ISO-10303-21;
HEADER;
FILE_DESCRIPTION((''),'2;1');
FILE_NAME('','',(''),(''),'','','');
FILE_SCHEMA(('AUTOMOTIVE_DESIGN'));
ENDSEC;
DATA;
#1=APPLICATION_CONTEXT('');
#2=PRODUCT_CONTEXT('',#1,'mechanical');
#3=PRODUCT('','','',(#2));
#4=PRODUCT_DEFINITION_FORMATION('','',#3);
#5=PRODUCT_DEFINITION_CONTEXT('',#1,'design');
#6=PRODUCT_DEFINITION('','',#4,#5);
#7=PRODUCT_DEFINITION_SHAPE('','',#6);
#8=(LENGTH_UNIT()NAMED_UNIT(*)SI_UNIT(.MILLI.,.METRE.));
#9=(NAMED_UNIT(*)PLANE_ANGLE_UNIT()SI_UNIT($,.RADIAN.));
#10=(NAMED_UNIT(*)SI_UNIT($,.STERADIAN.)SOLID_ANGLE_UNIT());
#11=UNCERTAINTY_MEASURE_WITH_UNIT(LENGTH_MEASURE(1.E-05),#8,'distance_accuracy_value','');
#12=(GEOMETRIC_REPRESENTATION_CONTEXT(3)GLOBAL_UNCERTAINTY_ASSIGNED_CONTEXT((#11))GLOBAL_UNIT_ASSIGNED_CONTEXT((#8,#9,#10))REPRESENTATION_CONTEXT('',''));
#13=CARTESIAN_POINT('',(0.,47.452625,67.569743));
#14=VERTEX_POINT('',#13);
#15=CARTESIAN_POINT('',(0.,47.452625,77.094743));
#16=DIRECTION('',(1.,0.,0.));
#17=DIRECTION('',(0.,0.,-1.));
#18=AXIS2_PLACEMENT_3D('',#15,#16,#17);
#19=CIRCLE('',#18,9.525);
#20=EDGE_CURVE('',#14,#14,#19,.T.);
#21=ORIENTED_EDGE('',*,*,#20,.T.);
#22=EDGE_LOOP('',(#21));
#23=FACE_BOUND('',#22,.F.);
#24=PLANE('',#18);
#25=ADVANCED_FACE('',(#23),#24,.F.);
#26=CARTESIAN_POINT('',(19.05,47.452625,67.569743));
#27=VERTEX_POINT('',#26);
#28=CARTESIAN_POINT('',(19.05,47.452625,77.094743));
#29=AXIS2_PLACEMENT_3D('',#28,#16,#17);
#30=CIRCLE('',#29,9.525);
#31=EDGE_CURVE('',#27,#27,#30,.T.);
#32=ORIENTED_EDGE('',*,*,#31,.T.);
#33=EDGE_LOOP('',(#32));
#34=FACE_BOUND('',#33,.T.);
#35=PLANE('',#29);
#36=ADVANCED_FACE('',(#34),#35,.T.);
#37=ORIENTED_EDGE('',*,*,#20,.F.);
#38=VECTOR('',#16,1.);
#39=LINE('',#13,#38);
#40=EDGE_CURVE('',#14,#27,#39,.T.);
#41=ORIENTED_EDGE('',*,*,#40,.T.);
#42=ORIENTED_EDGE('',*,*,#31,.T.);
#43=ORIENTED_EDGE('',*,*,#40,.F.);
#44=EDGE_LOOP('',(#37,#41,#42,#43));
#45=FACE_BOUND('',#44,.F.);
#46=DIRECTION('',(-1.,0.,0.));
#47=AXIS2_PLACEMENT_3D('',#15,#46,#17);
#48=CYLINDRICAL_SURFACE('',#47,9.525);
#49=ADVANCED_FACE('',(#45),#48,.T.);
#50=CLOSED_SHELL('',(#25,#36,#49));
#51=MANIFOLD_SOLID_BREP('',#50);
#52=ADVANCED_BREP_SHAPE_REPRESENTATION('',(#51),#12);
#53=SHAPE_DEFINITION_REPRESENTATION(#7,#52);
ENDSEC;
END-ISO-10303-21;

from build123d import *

# Parameters (mm, degrees)
SKETCH1_R      = 9.525
EXTRUDE1_DEPTH = 19.05


with BuildPart() as part:
    # Sketch1 → Extrude1 (new body)
    with BuildSketch(Plane(origin=(0, 0, 0), x_dir=(0, 0, -1), z_dir=(1, 0, 0))):
        with Locations((-77.09474291, 47.452624521)):
            Circle(SKETCH1_R)
    extrude(amount=EXTRUDE1_DEPTH)


solid = part.part
